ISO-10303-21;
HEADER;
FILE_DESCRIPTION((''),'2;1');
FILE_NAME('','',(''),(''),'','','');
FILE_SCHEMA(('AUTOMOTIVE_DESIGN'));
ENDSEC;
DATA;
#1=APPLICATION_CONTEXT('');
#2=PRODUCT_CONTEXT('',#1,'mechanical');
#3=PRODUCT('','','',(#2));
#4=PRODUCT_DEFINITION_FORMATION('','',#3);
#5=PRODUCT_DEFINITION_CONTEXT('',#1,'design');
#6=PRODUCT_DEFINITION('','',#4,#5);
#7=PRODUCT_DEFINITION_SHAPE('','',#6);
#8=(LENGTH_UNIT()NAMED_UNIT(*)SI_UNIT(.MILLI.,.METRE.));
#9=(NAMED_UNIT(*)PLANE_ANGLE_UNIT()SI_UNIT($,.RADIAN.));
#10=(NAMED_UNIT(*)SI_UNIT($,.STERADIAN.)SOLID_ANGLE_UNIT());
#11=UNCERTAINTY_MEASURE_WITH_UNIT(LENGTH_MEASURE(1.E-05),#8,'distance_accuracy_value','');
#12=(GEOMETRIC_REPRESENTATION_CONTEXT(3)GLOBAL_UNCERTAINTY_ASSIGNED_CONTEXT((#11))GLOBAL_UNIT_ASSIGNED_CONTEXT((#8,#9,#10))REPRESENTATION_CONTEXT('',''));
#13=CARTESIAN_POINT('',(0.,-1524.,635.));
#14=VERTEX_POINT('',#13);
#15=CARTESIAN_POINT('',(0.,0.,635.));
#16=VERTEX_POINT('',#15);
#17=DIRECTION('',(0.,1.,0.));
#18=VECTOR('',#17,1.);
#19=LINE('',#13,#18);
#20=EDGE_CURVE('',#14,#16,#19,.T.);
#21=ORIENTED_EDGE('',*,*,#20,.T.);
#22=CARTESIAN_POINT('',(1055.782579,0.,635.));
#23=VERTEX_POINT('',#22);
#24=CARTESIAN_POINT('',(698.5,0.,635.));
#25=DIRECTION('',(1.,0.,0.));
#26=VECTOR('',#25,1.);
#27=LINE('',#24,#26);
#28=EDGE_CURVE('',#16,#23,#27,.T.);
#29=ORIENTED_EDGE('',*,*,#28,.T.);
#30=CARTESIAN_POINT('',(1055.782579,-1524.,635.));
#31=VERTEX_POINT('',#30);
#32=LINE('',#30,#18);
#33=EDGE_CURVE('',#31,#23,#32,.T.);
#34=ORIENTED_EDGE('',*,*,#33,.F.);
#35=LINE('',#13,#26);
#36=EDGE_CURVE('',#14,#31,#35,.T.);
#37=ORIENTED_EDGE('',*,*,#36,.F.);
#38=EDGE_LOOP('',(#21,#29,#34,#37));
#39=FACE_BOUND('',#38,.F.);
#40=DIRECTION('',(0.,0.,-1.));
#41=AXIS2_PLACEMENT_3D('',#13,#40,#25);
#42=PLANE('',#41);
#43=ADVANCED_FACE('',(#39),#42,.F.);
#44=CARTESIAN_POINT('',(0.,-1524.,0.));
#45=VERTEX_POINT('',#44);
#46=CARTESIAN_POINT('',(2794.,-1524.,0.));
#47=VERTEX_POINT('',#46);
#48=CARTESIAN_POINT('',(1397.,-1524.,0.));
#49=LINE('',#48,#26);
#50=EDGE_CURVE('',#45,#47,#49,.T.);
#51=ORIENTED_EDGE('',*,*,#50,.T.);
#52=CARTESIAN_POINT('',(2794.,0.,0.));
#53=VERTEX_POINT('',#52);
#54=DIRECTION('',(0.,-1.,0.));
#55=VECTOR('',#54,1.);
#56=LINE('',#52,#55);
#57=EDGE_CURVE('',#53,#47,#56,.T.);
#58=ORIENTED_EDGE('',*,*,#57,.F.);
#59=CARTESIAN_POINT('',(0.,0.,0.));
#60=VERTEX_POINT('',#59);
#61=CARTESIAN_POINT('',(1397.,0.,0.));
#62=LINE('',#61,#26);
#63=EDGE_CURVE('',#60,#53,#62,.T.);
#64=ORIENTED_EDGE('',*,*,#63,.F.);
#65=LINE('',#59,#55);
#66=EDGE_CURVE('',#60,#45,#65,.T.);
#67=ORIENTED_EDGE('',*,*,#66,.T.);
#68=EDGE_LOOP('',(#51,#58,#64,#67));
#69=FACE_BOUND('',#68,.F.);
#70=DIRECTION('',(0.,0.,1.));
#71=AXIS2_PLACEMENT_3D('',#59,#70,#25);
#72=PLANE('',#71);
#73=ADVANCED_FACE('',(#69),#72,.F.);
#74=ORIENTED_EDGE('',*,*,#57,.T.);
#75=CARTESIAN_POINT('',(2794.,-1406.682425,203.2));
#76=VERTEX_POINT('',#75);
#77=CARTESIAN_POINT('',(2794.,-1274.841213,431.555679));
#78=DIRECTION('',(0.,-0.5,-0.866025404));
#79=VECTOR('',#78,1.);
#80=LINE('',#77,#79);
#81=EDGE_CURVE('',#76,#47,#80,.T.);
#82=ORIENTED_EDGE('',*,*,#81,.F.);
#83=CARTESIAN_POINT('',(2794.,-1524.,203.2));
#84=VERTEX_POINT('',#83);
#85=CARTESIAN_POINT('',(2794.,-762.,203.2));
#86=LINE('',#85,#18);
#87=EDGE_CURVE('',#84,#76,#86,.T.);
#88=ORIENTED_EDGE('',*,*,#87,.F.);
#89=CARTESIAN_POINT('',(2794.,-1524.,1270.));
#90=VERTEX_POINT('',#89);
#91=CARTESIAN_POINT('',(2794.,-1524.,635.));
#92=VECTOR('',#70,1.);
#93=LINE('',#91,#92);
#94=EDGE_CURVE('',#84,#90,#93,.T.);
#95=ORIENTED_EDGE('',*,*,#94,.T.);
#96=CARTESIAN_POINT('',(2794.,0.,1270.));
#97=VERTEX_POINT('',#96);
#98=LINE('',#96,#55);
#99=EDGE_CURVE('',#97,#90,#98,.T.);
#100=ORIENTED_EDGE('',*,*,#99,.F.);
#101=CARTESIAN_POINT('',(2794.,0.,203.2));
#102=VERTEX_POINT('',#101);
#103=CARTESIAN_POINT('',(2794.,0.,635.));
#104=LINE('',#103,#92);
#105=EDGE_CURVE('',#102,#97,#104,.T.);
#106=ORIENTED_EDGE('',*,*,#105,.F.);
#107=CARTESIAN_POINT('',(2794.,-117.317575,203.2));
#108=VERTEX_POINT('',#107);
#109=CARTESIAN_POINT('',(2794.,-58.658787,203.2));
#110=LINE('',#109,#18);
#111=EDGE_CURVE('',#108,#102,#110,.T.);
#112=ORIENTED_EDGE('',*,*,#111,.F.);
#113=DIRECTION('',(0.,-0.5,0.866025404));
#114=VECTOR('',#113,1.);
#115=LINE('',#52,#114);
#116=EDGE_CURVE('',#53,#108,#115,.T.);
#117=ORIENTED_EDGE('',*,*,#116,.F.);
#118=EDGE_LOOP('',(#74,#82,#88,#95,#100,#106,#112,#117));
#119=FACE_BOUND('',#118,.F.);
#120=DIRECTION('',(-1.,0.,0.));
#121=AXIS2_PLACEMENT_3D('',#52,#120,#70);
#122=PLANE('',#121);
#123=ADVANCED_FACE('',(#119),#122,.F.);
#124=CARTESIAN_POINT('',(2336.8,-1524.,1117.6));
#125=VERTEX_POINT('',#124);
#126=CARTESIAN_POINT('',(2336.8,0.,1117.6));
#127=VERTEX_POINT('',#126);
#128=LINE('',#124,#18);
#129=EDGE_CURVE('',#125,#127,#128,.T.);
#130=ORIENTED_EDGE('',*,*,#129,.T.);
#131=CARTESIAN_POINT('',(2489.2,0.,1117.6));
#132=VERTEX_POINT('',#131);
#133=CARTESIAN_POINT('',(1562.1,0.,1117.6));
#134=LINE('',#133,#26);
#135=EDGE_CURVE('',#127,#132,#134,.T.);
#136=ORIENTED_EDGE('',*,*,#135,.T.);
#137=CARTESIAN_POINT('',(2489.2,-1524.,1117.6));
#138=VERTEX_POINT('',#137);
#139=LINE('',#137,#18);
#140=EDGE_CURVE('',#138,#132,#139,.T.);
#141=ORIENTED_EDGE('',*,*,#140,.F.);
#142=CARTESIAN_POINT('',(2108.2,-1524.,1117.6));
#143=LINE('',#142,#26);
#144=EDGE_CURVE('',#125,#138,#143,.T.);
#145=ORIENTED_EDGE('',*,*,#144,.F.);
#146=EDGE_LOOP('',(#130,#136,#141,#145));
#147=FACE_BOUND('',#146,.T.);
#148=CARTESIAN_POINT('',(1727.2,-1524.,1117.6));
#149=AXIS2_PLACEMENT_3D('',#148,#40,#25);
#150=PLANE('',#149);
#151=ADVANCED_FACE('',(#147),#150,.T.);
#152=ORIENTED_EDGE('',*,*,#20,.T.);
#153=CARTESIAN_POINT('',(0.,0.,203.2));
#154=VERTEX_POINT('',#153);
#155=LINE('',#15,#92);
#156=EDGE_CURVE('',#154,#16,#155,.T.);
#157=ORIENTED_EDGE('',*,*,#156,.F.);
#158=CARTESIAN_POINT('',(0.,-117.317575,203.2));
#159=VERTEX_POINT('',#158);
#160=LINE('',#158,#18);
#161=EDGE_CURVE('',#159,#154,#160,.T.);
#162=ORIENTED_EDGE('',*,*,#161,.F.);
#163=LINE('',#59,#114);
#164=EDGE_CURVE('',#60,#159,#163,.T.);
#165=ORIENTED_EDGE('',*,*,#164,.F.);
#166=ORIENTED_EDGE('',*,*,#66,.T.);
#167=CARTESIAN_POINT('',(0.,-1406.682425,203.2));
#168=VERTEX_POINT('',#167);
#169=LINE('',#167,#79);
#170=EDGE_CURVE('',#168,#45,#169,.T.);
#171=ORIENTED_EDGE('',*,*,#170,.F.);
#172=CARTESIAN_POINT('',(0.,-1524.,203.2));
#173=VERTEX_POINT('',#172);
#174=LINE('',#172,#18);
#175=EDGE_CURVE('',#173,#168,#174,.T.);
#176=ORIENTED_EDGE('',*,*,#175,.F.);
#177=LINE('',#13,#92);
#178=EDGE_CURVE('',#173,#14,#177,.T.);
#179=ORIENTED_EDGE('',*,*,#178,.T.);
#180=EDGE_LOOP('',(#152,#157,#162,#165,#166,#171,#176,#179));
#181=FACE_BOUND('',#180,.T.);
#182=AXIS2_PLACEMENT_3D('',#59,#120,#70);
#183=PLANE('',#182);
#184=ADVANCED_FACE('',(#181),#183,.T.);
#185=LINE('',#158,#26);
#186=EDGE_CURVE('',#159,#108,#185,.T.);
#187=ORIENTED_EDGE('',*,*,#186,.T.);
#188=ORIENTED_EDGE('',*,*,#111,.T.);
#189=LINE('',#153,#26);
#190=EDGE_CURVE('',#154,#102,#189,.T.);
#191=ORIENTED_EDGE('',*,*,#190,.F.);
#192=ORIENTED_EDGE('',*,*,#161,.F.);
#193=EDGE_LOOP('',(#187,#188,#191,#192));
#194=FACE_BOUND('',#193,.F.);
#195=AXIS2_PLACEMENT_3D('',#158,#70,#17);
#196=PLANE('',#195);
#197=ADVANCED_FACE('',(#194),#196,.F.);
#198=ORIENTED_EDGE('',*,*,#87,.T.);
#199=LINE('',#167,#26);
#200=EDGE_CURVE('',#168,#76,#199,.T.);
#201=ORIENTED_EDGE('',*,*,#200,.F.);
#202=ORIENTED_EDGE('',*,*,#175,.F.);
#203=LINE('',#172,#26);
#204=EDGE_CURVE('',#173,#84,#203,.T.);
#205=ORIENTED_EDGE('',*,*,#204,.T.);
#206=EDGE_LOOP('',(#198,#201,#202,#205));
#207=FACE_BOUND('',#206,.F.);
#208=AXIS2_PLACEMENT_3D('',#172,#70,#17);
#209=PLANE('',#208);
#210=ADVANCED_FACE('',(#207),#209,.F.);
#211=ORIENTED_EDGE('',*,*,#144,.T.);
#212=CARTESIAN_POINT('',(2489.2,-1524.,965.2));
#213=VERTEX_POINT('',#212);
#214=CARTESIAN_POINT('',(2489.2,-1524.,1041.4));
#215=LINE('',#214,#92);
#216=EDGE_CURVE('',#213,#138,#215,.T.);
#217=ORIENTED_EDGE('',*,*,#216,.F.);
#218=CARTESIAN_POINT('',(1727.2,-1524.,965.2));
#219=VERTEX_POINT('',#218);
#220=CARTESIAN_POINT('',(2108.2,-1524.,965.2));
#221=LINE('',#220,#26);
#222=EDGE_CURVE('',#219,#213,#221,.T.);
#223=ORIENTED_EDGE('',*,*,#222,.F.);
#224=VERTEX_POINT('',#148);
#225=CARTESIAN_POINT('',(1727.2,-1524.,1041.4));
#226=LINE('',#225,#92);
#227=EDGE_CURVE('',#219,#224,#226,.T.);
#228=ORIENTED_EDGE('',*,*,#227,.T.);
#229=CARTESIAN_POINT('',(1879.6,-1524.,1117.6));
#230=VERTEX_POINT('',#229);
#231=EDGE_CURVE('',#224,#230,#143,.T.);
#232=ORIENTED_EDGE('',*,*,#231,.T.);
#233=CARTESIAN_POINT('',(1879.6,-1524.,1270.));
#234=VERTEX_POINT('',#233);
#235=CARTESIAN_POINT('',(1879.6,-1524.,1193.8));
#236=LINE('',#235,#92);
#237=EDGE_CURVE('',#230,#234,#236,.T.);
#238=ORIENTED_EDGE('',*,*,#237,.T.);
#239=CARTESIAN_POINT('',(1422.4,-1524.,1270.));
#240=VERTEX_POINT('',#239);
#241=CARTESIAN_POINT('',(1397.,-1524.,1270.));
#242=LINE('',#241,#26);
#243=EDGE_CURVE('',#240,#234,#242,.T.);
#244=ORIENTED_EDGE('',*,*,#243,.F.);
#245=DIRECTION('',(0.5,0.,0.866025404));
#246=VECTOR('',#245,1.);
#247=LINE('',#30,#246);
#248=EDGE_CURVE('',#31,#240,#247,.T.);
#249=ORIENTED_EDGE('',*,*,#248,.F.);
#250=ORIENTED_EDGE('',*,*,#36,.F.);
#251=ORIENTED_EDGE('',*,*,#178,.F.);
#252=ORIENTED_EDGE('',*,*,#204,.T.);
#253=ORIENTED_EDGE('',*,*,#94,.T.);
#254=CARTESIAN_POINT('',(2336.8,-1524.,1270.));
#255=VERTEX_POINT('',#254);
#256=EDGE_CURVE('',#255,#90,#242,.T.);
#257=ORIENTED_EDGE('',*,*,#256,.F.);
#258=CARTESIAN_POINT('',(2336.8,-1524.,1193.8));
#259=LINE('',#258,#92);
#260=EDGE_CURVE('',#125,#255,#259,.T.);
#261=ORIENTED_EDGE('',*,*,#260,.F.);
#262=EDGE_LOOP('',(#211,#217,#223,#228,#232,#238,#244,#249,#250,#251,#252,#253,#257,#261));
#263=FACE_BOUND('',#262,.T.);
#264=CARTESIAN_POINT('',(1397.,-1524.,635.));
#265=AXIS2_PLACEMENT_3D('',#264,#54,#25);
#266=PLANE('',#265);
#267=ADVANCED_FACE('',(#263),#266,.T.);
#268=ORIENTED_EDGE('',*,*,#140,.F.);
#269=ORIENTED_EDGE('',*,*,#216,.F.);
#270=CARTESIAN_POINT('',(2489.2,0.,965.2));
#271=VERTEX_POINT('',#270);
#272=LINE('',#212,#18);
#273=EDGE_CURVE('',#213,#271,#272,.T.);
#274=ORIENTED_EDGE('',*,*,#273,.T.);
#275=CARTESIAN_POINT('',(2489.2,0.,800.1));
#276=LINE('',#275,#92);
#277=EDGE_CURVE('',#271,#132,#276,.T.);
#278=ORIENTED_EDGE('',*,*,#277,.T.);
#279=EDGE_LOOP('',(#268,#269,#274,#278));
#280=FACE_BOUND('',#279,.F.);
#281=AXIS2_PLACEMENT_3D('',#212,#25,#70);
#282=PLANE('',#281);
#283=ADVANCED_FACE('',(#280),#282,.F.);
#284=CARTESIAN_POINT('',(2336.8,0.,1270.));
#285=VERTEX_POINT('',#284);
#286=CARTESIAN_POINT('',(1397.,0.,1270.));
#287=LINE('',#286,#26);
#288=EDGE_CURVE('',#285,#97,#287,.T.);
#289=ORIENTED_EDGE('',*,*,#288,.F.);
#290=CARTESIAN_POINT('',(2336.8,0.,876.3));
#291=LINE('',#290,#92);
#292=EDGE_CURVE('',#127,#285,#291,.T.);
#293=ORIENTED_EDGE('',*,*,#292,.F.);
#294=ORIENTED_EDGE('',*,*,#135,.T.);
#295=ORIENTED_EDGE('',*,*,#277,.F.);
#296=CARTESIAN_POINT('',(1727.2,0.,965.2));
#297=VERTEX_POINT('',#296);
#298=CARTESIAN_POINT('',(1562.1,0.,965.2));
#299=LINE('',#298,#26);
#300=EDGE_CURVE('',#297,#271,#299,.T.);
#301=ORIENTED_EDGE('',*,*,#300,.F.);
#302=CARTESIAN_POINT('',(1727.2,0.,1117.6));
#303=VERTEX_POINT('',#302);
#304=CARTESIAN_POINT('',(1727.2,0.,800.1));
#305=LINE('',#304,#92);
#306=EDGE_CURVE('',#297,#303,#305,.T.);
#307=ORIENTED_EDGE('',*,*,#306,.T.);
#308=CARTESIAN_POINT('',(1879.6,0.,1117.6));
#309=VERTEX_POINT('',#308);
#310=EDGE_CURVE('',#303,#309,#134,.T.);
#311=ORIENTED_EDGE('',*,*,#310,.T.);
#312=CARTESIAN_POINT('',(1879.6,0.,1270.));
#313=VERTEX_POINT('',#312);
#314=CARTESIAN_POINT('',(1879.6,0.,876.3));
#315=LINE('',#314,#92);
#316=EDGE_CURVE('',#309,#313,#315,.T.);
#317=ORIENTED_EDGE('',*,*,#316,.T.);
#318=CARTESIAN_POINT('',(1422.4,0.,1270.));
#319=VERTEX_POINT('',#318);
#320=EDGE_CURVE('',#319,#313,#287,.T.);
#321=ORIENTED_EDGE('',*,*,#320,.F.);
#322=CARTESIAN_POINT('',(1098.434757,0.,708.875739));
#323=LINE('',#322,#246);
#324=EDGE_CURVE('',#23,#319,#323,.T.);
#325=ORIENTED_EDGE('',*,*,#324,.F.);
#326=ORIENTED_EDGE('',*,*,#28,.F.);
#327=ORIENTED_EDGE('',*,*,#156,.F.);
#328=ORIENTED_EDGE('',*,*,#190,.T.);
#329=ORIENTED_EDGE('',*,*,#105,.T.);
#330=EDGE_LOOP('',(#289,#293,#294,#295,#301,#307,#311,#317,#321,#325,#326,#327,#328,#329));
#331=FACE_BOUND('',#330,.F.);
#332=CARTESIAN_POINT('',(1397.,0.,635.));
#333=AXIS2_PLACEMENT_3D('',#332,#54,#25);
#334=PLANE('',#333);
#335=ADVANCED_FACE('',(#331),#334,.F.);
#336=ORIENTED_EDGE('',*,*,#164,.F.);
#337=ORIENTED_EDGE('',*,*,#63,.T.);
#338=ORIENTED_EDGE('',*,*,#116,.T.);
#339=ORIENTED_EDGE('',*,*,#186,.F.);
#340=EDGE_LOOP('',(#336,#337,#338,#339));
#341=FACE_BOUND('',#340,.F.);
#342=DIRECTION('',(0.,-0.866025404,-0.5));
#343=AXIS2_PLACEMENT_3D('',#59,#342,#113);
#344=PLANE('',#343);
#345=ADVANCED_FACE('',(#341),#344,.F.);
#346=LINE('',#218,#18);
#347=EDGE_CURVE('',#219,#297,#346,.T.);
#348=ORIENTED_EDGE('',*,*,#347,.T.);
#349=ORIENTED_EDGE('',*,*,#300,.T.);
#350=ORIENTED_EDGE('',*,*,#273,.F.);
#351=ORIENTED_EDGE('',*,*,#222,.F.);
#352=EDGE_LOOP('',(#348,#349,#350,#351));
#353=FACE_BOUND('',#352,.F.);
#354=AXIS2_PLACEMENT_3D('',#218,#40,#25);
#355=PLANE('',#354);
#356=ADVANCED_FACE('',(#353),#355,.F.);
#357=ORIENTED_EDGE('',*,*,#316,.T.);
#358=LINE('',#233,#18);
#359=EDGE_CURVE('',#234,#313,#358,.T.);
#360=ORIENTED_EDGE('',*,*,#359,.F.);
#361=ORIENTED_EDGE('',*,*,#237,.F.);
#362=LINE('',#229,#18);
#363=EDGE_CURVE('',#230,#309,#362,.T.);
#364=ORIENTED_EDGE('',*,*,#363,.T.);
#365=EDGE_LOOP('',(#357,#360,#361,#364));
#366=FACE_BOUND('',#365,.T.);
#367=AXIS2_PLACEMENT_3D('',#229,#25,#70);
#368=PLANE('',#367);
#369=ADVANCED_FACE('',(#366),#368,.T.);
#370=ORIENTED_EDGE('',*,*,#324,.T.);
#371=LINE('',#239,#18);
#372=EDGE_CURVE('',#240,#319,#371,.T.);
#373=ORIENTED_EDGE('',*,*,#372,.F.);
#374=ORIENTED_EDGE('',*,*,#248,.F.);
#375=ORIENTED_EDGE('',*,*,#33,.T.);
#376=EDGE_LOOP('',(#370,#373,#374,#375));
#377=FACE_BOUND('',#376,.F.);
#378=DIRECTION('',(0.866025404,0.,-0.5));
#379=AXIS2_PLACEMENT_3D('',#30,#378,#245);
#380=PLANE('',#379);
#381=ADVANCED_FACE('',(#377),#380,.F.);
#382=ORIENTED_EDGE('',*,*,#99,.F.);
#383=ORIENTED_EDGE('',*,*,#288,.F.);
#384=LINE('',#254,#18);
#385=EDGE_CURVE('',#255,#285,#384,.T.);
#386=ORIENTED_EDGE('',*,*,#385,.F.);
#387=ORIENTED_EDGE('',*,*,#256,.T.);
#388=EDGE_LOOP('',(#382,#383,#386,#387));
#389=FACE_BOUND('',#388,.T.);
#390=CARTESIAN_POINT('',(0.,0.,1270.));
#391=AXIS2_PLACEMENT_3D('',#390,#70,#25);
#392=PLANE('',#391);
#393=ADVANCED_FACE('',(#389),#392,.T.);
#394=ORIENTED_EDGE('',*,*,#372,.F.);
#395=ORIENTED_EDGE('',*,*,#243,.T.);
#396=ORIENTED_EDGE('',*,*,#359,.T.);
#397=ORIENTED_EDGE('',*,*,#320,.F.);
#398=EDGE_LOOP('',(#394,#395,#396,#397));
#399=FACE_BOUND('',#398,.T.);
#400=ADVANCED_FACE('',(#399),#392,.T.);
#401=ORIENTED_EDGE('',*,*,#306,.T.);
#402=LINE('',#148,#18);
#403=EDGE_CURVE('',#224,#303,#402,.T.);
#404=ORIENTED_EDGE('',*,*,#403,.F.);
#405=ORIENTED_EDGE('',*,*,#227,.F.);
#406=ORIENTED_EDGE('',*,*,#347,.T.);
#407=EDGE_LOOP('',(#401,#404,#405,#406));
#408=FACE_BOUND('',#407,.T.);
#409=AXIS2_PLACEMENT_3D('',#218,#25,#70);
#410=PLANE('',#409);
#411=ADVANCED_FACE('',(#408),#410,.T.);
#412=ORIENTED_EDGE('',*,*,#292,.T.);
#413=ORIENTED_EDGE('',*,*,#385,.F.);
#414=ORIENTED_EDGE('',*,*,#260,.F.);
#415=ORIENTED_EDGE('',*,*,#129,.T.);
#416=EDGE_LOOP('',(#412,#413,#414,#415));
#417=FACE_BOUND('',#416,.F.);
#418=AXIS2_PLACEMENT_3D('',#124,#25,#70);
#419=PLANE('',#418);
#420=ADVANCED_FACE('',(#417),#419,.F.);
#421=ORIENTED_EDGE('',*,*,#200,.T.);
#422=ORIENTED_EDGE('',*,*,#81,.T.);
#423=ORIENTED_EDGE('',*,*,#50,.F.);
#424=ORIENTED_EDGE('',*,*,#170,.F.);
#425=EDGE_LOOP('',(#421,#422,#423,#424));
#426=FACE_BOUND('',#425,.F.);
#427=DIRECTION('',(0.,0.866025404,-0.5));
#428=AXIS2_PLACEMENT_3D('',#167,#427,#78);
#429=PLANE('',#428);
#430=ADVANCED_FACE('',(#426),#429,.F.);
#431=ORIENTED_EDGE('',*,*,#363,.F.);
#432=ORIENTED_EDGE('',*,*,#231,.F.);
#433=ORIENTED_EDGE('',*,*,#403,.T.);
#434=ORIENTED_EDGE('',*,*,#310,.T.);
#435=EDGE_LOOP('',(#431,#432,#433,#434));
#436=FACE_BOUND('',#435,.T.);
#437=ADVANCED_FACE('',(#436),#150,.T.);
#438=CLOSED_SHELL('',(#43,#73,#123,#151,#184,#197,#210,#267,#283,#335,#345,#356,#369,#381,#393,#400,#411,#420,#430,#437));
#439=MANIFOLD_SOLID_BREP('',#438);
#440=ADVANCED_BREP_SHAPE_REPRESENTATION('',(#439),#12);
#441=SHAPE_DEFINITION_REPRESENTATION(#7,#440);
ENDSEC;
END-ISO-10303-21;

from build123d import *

# Parameters (mm, degrees)
F0_W      = 2794
F0_H      = 1270
F1_DEPTH  = 1524
F2_W      = 762
F2_H      = 152.4
F3_DEPTH  = 1524.001
F4_W      = 457.2
F4_H      = 152.4
F5_DEPTH  = 1524.001
F7_DEPTH  = 1524.001
F9_DEPTH  = 2794.001
F11_DEPTH = 2794.001


with BuildPart() as f1:
    # F0 (on Front) → F1 (new body)
    with BuildSketch(Plane.XZ):
        with Locations((1397, 635)):
            Rectangle(F0_W, F0_H)
    extrude(amount=F1_DEPTH)

    # F2 (on face) → F3 (cut, through all)
    with BuildSketch(Plane.XZ.offset(1524)):
        with Locations((2108.2, 1041.4)):
            Rectangle(F2_W, F2_H)
    extrude(amount=-F3_DEPTH, mode=Mode.SUBTRACT)

    # F4 (on face) → F5 (cut, through all)
    with BuildSketch(Plane.XZ.offset(1524)):
        with Locations((2108.2, 1193.8)):
            Rectangle(F4_W, F4_H)
    extrude(amount=-F5_DEPTH, mode=Mode.SUBTRACT)

    # F6 (on face) → F7 (cut, through all)
    with BuildSketch(Plane.XZ.offset(1524)):
        Polygon((1055.7825790646, 635), (1422.4, 1270), (0, 1270), (0, 635), align=None)
    extrude(amount=-F7_DEPTH, mode=Mode.SUBTRACT)

    # F8 (on face) → F9 (cut, through all)
    with BuildSketch(Plane(origin=(0, 0, 0), x_dir=(0, -1, 0), z_dir=(-1, 0, 0))):
        Polygon((1406.6824253007, 203.2), (1524, 0), (1524, 203.2), align=None)
    extrude(amount=-F9_DEPTH, mode=Mode.SUBTRACT)

    # F10 (on face) → F11 (cut, through all)
    with BuildSketch(Plane(origin=(0, 0, 0), x_dir=(0, -1, 0), z_dir=(-1, 0, 0))):
        Polygon((0, 203.2), (0, 0), (117.3175746993, 203.2), align=None)
    extrude(amount=-F11_DEPTH, mode=Mode.SUBTRACT)


solid = f1.part
